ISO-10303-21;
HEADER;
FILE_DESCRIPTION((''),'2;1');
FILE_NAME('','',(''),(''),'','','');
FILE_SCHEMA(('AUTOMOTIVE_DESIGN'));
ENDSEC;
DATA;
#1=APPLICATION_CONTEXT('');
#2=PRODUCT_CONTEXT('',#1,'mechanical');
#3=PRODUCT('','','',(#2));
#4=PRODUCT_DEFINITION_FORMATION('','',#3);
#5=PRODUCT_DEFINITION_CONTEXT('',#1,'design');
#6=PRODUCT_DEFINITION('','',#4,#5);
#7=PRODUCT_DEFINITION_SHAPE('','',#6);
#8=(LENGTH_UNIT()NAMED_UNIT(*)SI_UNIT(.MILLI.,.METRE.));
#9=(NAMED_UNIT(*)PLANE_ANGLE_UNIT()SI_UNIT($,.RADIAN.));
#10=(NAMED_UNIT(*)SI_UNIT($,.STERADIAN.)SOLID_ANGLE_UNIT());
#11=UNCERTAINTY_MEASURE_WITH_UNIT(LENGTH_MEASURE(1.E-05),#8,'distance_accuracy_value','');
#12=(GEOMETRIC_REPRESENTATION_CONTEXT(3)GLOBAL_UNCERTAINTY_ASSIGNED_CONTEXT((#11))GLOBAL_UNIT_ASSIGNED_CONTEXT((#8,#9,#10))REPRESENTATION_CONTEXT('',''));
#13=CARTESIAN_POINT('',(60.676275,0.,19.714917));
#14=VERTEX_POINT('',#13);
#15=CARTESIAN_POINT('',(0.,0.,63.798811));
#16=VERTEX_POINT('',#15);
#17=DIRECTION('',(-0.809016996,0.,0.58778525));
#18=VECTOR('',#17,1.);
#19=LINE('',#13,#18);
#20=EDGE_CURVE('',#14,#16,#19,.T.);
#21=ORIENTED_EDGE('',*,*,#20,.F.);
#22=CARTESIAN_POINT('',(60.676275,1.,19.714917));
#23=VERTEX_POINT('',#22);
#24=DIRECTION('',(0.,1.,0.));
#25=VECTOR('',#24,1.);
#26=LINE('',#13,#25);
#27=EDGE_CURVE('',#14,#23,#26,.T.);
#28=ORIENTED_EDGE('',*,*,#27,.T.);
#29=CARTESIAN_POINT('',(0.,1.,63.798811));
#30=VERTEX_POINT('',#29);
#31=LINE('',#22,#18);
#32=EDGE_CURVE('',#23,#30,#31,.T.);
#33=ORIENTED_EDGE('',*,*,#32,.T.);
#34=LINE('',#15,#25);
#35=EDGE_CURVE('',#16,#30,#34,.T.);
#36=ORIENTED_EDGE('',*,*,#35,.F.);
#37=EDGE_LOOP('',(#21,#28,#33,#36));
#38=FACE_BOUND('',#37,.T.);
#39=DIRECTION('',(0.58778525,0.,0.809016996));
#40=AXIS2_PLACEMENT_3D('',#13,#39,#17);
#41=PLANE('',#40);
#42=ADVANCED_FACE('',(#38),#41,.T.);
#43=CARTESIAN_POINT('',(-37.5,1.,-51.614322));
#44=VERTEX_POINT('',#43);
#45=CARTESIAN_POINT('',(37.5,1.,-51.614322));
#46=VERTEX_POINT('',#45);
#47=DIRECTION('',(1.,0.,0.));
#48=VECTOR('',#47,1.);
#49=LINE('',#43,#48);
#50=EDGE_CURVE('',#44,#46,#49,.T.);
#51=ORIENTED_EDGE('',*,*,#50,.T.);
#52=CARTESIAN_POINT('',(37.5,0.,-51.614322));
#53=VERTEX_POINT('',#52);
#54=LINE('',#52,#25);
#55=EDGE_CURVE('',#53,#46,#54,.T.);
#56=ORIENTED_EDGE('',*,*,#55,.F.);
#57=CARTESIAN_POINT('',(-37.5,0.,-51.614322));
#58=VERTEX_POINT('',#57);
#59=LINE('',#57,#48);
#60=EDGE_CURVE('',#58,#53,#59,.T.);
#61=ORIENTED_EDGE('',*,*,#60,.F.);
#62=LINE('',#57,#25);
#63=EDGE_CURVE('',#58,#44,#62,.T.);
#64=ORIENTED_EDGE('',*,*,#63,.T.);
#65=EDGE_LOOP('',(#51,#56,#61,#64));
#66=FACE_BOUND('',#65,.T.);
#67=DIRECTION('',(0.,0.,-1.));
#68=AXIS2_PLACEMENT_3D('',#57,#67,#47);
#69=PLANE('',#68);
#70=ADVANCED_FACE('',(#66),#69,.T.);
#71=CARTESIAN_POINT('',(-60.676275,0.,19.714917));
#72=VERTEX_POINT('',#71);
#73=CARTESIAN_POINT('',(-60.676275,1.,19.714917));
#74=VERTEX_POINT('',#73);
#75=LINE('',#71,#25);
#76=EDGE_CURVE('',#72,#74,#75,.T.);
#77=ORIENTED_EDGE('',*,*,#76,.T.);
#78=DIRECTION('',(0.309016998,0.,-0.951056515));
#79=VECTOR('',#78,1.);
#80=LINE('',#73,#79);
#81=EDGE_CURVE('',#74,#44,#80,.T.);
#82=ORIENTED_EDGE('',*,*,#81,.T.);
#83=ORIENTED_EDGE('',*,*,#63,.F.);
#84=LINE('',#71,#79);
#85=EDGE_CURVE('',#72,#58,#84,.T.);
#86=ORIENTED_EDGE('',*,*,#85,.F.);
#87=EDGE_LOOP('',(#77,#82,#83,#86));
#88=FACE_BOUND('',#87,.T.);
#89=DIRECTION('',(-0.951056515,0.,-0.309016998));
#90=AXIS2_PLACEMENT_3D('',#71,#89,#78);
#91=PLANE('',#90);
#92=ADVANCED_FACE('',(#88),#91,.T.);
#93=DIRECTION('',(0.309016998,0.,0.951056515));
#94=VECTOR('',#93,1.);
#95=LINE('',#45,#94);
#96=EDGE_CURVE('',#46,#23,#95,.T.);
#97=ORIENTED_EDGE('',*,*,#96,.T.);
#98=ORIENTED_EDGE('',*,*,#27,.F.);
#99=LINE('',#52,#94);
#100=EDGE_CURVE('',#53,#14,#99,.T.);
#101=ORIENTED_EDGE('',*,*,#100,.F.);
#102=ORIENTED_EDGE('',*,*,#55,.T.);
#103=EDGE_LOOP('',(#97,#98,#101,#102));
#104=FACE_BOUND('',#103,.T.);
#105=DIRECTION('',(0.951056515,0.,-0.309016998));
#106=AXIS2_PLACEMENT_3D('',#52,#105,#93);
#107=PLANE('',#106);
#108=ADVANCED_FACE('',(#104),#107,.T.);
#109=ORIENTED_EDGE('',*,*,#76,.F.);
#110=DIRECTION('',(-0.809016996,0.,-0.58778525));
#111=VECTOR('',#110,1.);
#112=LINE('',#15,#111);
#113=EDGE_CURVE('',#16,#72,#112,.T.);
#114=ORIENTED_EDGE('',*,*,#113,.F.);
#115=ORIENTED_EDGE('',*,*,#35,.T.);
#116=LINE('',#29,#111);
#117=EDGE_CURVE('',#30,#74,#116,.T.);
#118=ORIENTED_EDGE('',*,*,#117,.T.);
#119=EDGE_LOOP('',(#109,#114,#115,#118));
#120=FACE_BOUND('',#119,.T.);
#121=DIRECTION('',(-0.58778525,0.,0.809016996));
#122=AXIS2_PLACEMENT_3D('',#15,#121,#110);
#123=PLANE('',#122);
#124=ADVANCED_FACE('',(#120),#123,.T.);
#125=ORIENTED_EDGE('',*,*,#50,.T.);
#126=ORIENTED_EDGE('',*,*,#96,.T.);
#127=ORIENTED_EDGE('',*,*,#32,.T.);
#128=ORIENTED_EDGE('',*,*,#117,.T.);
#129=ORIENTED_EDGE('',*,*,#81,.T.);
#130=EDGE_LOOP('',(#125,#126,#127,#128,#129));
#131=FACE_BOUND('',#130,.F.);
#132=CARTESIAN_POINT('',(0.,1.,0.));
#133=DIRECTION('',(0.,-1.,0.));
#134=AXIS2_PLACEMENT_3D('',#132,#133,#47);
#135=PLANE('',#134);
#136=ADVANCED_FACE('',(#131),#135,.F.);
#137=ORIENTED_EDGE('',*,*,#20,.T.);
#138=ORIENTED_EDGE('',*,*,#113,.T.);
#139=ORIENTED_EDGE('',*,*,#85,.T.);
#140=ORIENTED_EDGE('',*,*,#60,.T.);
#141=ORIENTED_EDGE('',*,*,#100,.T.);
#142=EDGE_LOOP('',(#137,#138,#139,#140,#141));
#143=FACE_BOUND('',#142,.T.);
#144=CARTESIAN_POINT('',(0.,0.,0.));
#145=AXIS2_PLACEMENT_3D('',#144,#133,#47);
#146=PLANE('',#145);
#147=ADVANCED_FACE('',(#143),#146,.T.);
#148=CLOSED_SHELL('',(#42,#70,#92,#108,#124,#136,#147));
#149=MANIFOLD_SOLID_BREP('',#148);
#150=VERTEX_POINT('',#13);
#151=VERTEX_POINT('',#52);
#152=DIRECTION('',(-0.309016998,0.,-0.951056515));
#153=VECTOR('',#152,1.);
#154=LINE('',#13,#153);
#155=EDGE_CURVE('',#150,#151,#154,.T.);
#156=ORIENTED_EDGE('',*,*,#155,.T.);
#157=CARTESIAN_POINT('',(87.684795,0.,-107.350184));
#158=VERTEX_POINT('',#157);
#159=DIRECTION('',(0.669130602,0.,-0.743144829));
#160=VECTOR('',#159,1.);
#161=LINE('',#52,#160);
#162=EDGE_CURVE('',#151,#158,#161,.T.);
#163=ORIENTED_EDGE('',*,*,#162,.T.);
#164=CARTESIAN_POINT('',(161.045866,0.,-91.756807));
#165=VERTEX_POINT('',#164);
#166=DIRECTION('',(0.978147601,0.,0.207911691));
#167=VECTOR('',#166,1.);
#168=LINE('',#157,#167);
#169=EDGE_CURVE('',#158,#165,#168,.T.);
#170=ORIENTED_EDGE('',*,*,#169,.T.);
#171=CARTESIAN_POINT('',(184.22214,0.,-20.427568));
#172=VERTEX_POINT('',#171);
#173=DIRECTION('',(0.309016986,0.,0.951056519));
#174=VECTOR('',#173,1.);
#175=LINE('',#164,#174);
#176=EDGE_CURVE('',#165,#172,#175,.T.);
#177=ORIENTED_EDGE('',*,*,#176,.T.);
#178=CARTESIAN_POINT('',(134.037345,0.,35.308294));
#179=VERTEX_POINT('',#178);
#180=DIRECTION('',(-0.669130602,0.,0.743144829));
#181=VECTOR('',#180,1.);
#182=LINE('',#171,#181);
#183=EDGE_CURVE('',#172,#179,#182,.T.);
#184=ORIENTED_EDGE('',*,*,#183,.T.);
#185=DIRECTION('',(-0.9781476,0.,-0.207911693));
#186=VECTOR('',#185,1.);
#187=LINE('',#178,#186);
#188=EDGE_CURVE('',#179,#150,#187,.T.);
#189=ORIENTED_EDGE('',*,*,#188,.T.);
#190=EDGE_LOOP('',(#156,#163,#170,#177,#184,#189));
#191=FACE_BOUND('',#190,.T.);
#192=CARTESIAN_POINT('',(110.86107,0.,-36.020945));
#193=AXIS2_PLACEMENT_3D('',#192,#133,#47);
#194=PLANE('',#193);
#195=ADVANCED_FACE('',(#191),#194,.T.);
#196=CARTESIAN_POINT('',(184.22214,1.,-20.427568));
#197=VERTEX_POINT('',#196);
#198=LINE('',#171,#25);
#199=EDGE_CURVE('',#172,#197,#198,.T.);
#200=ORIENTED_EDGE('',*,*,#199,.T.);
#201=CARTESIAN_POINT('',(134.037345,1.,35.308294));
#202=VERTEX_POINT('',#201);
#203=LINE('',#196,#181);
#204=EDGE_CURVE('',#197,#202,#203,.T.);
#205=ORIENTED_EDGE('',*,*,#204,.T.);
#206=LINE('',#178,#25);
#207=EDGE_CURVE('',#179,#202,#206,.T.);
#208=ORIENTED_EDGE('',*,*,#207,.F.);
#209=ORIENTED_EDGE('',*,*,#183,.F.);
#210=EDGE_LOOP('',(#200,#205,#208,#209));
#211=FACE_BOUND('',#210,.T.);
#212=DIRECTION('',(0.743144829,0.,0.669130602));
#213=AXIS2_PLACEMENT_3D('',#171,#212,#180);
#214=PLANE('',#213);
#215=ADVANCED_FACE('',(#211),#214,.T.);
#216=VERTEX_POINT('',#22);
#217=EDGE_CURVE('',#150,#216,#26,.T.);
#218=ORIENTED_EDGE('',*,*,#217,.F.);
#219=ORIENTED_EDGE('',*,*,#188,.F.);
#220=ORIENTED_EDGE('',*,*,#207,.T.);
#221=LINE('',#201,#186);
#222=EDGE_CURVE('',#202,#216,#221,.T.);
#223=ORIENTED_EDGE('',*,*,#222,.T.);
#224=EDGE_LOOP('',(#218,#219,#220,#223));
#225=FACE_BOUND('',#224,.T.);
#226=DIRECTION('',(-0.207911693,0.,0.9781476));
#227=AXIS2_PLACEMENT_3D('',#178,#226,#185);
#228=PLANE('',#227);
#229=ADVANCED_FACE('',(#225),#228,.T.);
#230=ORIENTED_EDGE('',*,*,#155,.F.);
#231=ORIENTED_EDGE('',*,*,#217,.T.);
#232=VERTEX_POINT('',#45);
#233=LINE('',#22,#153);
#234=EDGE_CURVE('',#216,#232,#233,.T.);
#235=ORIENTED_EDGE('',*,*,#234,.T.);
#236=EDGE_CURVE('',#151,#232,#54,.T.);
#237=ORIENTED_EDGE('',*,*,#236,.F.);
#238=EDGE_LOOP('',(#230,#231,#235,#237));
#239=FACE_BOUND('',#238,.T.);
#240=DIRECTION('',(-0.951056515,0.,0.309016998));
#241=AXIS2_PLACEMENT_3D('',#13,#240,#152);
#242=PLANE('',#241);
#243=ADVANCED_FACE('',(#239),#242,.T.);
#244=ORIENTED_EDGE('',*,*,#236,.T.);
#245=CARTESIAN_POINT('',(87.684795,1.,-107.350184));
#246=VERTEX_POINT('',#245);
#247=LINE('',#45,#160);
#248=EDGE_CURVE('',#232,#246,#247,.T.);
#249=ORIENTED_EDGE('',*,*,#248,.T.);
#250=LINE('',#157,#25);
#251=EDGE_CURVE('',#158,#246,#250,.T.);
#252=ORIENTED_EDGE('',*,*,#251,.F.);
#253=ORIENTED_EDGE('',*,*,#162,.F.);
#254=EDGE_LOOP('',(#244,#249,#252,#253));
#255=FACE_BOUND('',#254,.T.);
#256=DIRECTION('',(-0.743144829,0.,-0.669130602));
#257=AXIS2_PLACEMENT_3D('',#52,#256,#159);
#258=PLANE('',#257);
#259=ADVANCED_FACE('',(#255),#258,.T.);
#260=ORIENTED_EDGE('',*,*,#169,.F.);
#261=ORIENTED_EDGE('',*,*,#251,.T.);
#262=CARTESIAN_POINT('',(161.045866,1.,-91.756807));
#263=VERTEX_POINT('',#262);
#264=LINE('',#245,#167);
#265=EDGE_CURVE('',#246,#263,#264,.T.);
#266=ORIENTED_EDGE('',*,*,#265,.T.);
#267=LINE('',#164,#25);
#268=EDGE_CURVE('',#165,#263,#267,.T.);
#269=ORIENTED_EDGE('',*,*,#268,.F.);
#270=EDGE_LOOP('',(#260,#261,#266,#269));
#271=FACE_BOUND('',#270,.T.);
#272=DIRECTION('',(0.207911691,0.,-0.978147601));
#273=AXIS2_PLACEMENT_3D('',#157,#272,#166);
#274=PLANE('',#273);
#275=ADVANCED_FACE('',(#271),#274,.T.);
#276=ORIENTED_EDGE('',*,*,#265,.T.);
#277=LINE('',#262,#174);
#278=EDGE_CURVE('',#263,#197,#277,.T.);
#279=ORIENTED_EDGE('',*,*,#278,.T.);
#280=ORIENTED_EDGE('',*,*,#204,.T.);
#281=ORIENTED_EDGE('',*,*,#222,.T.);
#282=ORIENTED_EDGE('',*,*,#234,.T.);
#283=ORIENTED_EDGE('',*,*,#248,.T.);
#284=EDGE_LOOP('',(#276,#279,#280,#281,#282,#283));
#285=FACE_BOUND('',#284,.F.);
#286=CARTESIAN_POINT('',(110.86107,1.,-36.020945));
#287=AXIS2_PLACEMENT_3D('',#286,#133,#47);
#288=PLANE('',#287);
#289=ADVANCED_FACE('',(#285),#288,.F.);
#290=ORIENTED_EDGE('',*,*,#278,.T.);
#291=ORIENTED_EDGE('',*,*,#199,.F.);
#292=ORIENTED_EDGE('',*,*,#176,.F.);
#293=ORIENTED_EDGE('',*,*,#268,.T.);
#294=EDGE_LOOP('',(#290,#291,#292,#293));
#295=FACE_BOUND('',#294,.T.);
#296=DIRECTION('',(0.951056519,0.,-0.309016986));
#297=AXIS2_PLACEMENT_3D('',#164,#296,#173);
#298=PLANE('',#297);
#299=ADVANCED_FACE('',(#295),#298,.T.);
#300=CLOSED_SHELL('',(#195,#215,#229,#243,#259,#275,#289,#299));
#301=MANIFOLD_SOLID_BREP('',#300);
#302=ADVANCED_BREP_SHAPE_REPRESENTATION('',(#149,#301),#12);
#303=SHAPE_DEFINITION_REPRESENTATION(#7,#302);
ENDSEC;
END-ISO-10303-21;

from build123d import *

# Parameters (mm, degrees)
F1_DEPTH = 1
F2_DEPTH = 1


with BuildPart() as f1:
    # F0 (on Front) → F1 (new body)
    with BuildSketch(Plane.XZ):
        Polygon((-37.5, -51.614322), (37.5, -51.614322), (60.676275, 19.714917), (0, 63.798811), (-60.676275, 19.714917), align=None)
    extrude(amount=-F1_DEPTH)


with BuildPart() as f2:
    # F0 (on Front) → F2 (new body)
    with BuildSketch(Plane.XZ):
        Polygon((60.676275, 19.714917), (37.5, -51.614322), (87.684795, -107.350184), (161.045866, -91.756807), (184.22214, -20.427568), (134.037345, 35.308294), align=None)
    extrude(amount=-F2_DEPTH)


solid = Compound([f1.part, f2.part])
